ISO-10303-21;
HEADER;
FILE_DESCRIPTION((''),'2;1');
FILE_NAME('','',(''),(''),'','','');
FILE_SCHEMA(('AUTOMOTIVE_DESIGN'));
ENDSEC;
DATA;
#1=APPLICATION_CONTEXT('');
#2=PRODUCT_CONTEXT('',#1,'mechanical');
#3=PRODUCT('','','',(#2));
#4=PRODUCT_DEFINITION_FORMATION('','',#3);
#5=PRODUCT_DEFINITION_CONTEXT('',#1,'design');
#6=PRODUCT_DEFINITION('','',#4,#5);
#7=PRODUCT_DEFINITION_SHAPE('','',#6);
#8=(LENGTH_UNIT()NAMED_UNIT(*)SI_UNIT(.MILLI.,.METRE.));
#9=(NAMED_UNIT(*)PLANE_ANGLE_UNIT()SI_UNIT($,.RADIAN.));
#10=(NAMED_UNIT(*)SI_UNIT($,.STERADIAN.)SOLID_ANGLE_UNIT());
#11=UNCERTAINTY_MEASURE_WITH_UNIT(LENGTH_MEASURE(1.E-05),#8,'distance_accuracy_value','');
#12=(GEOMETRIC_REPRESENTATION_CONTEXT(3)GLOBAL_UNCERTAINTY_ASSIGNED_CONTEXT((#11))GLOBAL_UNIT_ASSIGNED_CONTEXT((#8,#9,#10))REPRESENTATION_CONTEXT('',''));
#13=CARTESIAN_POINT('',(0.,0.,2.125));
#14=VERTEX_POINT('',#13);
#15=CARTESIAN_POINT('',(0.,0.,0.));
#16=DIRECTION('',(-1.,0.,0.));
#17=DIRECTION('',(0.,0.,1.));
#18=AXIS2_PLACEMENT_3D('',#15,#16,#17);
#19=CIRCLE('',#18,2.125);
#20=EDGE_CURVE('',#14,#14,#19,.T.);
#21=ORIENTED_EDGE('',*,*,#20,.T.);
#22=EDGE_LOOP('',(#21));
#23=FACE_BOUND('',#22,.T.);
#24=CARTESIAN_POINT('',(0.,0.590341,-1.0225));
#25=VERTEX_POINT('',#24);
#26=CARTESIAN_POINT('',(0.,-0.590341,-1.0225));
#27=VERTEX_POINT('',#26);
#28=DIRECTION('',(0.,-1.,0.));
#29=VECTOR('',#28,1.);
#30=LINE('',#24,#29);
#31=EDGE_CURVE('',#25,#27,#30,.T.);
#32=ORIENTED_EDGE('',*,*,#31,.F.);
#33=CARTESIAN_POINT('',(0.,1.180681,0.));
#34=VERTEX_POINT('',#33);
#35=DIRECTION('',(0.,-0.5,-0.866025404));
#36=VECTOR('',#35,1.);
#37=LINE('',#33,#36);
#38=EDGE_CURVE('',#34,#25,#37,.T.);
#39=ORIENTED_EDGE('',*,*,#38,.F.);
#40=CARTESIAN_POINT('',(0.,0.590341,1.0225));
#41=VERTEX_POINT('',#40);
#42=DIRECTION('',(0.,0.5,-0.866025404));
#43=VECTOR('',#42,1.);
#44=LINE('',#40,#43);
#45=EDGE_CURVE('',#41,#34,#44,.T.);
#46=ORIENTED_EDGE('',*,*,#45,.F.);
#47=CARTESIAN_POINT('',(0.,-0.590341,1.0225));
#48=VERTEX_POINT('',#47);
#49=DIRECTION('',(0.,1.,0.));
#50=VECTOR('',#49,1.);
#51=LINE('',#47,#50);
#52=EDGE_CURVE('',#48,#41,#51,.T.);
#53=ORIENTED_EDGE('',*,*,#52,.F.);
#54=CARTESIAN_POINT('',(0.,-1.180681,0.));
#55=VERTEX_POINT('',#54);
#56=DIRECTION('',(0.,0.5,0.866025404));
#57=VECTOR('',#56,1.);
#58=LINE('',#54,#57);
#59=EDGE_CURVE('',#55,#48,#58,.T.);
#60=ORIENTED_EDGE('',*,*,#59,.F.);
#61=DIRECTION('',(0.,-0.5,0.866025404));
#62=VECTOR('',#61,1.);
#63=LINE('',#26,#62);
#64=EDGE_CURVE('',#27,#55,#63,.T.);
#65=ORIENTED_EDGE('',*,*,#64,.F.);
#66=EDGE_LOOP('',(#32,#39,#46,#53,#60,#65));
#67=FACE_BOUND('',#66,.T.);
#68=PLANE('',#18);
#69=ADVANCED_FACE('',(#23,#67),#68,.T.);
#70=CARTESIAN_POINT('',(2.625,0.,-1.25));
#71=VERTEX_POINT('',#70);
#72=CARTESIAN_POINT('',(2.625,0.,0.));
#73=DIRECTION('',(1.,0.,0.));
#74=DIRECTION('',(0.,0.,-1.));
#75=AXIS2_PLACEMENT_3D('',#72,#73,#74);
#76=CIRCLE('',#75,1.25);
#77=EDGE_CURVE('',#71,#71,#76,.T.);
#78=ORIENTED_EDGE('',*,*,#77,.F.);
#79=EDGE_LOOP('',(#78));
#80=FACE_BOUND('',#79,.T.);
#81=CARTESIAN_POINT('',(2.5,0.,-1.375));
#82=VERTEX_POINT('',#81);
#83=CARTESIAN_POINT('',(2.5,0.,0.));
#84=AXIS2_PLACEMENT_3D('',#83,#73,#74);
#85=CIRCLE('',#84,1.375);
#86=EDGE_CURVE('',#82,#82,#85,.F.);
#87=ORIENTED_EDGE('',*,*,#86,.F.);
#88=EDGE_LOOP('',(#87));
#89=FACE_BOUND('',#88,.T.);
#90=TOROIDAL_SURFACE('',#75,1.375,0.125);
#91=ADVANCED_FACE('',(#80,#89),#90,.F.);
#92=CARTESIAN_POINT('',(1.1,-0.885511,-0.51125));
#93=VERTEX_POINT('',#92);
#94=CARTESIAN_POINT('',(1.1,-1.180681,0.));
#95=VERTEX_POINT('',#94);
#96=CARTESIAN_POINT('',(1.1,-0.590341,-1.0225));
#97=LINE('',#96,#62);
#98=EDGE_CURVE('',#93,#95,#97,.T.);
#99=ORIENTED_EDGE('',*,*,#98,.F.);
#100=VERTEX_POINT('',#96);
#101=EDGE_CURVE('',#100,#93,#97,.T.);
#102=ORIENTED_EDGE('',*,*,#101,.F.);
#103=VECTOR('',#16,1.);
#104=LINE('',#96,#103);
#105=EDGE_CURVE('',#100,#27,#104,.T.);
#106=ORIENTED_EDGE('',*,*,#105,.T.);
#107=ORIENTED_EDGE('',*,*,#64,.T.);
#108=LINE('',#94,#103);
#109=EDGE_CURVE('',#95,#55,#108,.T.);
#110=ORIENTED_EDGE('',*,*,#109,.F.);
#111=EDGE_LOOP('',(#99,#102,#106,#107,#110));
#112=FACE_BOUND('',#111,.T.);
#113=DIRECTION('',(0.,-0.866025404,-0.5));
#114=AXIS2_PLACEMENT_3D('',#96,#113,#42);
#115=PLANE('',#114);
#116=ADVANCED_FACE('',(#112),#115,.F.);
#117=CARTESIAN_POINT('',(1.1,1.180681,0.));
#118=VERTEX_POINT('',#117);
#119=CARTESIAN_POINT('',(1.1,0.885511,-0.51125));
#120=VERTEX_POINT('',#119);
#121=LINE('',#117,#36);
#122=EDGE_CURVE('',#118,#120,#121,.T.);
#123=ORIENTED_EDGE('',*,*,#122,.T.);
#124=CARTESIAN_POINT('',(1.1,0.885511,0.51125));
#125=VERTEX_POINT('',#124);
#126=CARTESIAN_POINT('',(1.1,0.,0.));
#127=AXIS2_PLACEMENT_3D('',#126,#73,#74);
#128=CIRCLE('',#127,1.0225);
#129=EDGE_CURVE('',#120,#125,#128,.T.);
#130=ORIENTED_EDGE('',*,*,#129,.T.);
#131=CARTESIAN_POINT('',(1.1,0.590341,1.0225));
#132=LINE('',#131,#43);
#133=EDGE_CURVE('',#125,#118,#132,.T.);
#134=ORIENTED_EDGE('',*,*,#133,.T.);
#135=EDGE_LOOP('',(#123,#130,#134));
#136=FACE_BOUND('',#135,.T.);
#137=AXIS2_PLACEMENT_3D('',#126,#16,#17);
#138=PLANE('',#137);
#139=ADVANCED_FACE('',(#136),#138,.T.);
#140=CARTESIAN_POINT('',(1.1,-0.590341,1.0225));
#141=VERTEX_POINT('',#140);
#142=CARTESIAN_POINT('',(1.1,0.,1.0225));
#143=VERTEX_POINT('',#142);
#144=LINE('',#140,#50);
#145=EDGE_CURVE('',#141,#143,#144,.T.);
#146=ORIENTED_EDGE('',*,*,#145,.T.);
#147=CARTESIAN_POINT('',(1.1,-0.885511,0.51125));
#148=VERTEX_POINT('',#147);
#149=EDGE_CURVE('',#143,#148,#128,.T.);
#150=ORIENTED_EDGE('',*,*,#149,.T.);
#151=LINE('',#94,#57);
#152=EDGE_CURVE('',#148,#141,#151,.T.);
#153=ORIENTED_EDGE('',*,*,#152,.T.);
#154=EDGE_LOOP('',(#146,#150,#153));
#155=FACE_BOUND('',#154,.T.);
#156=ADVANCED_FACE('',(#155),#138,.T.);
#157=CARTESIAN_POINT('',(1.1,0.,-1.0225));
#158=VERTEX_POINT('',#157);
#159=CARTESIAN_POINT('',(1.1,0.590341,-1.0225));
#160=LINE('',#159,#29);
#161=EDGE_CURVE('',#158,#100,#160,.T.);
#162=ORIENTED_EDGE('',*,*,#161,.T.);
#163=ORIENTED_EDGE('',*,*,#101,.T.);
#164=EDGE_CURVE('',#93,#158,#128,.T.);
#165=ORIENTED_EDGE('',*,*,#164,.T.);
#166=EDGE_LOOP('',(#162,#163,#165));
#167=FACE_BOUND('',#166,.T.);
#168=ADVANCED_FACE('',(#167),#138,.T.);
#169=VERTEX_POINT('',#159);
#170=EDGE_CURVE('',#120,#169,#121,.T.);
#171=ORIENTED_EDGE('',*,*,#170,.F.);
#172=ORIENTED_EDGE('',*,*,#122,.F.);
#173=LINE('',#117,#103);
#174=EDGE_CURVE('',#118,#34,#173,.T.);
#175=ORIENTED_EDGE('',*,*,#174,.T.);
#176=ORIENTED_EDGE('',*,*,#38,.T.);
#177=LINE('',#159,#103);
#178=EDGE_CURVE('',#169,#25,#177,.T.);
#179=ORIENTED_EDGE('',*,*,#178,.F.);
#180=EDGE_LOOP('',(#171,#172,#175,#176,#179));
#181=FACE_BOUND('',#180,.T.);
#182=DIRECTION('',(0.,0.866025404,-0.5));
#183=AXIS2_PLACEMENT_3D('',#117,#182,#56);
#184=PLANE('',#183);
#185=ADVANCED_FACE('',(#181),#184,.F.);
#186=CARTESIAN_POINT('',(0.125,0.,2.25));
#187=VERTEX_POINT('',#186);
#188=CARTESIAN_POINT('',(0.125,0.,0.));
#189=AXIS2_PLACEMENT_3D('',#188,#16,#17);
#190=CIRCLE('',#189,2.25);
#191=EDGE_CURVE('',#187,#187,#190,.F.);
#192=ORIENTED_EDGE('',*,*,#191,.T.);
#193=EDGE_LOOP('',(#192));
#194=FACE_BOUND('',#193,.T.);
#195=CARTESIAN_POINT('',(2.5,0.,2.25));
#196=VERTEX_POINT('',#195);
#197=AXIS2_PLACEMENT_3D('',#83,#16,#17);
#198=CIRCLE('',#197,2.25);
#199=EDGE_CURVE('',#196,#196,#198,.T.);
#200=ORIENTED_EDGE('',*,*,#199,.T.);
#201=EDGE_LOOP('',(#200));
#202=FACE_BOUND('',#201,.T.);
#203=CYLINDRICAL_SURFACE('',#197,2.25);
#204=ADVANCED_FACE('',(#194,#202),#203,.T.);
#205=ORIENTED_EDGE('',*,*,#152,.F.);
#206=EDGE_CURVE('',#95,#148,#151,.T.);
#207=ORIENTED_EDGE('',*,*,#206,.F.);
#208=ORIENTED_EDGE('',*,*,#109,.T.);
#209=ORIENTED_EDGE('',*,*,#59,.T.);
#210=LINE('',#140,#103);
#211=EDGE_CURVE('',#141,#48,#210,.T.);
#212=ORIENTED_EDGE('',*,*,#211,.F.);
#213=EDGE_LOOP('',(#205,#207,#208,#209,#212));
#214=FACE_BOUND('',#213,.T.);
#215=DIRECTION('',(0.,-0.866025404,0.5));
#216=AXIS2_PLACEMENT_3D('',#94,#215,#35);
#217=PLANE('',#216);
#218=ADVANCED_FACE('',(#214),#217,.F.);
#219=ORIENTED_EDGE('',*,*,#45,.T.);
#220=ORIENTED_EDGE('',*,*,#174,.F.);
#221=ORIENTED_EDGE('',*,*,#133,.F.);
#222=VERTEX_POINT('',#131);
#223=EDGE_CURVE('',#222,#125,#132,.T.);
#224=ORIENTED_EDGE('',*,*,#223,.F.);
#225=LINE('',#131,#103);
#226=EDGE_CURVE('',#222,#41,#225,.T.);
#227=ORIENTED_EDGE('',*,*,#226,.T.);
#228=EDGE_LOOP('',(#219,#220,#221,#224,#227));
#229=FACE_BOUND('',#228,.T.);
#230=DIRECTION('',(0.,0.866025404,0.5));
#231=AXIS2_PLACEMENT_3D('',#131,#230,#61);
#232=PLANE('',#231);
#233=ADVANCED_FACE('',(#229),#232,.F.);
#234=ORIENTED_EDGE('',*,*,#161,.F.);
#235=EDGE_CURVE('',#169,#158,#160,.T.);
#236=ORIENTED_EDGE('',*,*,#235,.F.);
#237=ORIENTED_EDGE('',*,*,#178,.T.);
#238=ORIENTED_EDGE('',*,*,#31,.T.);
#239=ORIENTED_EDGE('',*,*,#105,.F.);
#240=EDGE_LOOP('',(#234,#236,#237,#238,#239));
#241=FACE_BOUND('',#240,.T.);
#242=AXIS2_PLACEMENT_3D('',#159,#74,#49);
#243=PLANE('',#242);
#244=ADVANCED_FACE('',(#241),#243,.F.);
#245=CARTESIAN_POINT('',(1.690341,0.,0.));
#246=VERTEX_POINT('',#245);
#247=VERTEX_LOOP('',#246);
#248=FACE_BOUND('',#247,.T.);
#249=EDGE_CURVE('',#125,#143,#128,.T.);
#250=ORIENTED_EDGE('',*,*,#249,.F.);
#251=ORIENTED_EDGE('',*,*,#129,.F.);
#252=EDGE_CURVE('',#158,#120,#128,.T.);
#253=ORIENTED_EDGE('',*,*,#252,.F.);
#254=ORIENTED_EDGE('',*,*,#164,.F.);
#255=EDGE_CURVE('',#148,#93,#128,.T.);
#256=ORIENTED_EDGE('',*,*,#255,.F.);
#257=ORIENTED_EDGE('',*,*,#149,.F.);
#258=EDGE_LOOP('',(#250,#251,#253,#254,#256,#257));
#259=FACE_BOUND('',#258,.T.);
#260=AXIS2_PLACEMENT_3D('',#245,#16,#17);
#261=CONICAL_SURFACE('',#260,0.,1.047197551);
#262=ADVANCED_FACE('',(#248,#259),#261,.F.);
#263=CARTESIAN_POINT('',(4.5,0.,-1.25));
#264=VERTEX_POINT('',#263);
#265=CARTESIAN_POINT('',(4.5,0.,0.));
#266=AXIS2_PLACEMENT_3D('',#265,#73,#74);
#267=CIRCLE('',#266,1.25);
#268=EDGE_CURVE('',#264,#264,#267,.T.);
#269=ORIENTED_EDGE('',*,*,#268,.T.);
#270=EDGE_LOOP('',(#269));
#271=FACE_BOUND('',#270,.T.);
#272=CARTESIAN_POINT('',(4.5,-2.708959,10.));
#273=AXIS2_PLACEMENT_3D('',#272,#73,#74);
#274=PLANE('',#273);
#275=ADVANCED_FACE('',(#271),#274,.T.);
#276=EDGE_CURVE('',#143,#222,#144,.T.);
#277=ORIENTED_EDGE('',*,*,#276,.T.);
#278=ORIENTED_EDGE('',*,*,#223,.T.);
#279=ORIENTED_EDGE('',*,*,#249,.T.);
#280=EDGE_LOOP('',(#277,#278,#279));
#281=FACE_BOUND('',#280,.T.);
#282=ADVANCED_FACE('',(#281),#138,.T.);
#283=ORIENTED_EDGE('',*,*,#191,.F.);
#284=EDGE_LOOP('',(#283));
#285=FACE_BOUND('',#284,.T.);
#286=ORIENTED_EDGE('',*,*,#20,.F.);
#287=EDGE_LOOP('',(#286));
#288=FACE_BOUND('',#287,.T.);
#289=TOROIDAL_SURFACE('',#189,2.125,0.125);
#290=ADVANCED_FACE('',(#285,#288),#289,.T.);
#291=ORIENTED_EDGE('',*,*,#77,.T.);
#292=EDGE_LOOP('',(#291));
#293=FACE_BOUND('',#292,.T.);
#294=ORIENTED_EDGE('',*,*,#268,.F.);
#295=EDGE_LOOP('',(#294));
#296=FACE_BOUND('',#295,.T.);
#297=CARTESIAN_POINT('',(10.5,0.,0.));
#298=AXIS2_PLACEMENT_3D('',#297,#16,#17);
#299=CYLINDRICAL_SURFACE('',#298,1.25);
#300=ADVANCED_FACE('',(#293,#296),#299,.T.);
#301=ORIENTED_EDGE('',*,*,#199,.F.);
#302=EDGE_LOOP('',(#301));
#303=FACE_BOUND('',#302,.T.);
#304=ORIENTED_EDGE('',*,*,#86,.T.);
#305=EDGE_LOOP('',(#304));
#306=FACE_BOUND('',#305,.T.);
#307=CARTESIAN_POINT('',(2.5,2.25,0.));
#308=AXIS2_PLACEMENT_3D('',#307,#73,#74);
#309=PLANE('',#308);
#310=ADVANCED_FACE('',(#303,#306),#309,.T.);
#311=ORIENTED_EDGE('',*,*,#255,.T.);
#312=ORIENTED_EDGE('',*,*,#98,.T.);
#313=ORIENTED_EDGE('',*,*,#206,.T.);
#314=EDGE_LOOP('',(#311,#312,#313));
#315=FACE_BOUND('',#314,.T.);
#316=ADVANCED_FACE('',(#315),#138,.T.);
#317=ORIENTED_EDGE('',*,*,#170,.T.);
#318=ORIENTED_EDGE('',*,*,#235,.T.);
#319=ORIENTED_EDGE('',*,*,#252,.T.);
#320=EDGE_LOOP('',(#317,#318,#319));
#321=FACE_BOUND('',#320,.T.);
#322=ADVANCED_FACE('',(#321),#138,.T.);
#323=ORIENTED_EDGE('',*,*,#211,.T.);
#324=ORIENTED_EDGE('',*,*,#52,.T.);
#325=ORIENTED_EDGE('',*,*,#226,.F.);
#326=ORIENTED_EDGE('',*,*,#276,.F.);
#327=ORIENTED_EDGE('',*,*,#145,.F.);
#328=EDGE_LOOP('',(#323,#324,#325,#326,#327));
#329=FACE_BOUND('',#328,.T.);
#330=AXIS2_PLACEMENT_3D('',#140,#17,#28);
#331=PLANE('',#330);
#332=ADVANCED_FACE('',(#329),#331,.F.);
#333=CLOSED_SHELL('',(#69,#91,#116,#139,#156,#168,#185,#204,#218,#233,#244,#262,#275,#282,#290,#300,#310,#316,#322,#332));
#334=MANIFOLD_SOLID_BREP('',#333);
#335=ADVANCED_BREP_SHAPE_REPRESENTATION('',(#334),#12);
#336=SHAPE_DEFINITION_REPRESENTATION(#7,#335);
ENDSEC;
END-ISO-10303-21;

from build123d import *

# Parameters (mm, degrees)
SKETCH1_W               = 2.5
SKETCH1_H               = 2.25
SKETCH2_R               = 1.25
BOSS_EXTRUDE1_DEPTH     = 8
CUT_EXTRUDE1_DEPTH      = 1.1
CHAMFER1_SIZE           = 0.2535
FILLET1_R               = 0.125
SKETCH5_W               = 6
SKETCH5_H               = 4.609791228
CUT_EXTRUDE2_DEPTH      = 10
CUT_EXTRUDE2_DEPTH_BACK = 10


with BuildPart() as part:
    # Sketch1 → Revolve1 (revolve)
    with BuildSketch(Plane(origin=(0, 0, 0), x_dir=(-1, 0, 0), z_dir=(0, 0, -1))):
        with Locations((-1.25, 1.125)):
            Rectangle(SKETCH1_W, SKETCH1_H)
    revolve(axis=Axis((2.5, 0, 0), (-1, 0, 0)))

    # Sketch2 → Boss-Extrude1 (add)
    with BuildSketch(Plane(origin=(2.5, 0, 0), x_dir=(0, 0, -1), z_dir=(1, 0, 0))):
        Circle(SKETCH2_R)
    extrude(amount=BOSS_EXTRUDE1_DEPTH)

    # Sketch3 → Cut-Extrude1 (cut)
    with BuildSketch(Plane.ZY):
        Polygon((-1.0225, -0.59034065), (0, -1.1806813), (1.0225, -0.59034065), (1.0225, 0.59034065), (0, 1.1806813), (-1.0225, 0.59034065), align=None)
    extrude(amount=-CUT_EXTRUDE1_DEPTH, mode=Mode.SUBTRACT)

    # Sketch4 → Cut-Revolve1 (revolve, cut)
    with BuildSketch(Plane.XY):
        Polygon((1.1, 1.0225), (1.1, 0), (1.69034065, 0), align=None)
    revolve(axis=Axis((1.099975, 0, 0), (1, 0, 0)), mode=Mode.SUBTRACT)

    # Chamfer1
    chamfer1_edges = [part.edges().sort_by_distance(p)[0] for p in [
        (10.5, 0, 1.25),
    ]]
    chamfer(chamfer1_edges, length=CHAMFER1_SIZE)

    # Fillet1
    fillet1_edges = [part.edges().sort_by_distance(p)[0] for p in [
        (0, -2.25, 0),
        (2.5, 0, 1.25),
    ]]
    fillet(fillet1_edges, radius=FILLET1_R)

    # Sketch5 → Cut-Extrude2 (cut, two sides)
    with BuildSketch(Plane.XY) as cut_extrude2_sk:
        with Locations((7.5, -0.404062901)):
            Rectangle(SKETCH5_W, SKETCH5_H)
    extrude(amount=CUT_EXTRUDE2_DEPTH, mode=Mode.SUBTRACT)
    extrude(cut_extrude2_sk.sketch, amount=-CUT_EXTRUDE2_DEPTH_BACK, mode=Mode.SUBTRACT)


solid = part.part
